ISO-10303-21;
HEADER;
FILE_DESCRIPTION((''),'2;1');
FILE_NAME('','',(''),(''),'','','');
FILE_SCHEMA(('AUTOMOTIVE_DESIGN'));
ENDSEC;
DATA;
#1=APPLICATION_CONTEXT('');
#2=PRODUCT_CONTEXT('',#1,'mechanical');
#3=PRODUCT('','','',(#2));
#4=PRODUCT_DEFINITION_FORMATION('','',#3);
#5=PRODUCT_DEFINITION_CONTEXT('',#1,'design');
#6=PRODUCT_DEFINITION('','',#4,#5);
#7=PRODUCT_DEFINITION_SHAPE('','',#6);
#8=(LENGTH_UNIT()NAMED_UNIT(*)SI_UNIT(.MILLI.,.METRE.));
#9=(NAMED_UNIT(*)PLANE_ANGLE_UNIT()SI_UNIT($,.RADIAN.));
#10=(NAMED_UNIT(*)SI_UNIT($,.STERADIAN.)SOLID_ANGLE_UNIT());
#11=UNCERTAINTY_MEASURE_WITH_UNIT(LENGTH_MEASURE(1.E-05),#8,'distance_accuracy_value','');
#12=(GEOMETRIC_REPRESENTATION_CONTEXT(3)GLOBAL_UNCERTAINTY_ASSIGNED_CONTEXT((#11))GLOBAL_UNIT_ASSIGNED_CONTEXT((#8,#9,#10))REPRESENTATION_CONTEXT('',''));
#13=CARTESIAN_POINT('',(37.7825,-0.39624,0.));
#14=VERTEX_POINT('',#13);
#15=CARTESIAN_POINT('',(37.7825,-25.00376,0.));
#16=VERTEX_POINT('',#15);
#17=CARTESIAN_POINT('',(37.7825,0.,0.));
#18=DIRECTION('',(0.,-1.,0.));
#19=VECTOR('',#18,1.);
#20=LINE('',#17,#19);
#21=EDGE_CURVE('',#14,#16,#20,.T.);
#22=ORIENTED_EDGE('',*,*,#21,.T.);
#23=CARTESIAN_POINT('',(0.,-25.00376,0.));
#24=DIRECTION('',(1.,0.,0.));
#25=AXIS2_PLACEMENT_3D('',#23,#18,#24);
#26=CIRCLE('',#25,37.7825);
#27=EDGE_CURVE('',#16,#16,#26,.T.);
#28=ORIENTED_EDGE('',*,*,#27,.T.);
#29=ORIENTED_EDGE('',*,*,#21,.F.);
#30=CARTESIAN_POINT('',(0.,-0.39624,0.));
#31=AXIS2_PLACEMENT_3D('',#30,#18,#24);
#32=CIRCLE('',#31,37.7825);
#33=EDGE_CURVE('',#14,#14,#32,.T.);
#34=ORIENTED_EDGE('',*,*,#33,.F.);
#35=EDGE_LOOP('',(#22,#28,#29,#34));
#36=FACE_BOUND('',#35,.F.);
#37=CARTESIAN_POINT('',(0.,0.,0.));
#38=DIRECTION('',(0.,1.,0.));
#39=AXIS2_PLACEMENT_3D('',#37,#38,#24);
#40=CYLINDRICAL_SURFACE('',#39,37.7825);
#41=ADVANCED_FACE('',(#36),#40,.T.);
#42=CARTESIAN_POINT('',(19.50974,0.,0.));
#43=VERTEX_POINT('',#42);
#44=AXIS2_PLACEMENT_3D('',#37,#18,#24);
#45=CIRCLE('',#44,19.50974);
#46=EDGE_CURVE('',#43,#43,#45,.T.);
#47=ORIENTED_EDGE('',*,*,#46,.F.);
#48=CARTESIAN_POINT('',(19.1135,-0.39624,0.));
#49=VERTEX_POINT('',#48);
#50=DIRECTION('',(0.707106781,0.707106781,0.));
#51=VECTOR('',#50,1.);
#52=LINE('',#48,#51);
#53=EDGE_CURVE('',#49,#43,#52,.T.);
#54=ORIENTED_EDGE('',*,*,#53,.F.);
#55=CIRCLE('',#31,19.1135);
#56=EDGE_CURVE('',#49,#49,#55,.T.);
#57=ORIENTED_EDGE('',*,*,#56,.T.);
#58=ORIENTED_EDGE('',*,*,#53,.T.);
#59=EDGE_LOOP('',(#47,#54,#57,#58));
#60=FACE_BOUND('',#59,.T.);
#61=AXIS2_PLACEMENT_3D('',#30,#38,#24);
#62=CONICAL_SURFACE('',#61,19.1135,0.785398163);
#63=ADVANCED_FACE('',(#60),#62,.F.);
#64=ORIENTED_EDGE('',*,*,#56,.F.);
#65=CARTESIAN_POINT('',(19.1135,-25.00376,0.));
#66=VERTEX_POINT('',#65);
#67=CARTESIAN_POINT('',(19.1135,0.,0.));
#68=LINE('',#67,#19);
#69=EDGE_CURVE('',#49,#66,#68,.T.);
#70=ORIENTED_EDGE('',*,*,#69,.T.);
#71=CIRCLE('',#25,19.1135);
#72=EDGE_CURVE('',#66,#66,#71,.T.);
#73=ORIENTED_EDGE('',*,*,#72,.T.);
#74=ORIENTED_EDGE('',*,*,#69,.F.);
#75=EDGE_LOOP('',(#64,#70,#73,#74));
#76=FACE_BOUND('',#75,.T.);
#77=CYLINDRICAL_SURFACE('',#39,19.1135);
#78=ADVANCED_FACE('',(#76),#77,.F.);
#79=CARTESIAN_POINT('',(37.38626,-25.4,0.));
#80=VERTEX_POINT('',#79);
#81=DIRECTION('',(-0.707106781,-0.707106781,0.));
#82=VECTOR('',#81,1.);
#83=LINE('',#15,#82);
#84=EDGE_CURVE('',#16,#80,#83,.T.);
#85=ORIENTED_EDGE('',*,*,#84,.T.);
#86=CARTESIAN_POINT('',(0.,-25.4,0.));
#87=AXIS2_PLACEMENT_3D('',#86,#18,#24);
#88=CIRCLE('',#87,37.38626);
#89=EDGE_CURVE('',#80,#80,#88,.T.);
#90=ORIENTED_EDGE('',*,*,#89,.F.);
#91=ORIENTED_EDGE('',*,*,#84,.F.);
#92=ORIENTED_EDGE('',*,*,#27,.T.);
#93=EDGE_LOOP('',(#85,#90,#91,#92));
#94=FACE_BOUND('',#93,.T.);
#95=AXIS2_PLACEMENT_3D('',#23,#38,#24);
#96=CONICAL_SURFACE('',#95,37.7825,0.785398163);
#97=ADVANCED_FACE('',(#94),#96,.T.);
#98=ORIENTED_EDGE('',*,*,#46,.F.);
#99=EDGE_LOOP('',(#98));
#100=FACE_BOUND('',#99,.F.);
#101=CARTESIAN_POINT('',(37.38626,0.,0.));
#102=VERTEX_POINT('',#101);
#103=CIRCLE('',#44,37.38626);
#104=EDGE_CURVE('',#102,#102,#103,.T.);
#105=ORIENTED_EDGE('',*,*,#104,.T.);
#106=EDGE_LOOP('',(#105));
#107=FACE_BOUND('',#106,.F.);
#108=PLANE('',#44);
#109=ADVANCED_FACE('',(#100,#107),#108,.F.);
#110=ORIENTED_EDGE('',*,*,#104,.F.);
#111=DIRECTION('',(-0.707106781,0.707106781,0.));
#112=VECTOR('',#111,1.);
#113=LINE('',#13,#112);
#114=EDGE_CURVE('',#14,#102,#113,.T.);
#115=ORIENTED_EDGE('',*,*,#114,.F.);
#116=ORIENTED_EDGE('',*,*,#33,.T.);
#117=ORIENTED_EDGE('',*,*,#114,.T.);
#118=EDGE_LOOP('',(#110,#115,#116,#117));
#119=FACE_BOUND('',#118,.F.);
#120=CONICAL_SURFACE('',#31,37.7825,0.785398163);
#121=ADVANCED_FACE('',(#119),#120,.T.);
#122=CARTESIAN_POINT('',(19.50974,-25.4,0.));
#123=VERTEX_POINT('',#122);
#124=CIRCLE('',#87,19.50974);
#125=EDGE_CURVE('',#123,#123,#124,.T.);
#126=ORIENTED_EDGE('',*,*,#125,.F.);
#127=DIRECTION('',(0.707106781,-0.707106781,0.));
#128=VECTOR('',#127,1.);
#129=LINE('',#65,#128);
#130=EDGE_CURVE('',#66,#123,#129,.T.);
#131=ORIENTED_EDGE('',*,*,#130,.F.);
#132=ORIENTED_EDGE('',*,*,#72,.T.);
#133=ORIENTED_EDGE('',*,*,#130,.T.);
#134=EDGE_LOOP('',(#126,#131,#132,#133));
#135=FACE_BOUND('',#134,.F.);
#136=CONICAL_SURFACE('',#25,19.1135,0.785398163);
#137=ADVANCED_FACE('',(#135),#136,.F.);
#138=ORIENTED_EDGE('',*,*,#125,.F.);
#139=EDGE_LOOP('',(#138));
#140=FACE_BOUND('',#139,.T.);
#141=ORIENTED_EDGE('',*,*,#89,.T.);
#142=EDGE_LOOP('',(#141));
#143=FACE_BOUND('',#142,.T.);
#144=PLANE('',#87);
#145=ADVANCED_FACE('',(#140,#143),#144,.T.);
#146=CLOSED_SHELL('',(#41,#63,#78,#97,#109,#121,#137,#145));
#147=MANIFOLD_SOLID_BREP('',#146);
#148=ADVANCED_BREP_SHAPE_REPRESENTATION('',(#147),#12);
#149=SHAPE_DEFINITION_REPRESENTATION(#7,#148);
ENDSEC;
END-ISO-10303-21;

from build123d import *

# Parameters (mm, degrees)
F0_R     = 37.7825
F0_R_2   = 19.1135
F1_DEPTH = 25.4
F2_SIZE  = 0.39624


with BuildPart() as f1:
    # F0 (on Front) → F1 (new body)
    with BuildSketch(Plane.XZ):
        Circle(F0_R)
        Circle(F0_R_2, mode=Mode.SUBTRACT)
    extrude(amount=F1_DEPTH)

    # F2
    f2_edges = [f1.edges().sort_by_distance(p)[0] for p in [
        (-37.7825, -25.4, 0),
        (-19.1135, -25.4, 0),
        (-19.1135, 0, 0),
        (37.7825, -12.7, 0),
        (-37.7825, 0, 0),
    ]]
    chamfer(f2_edges, length=F2_SIZE)


solid = f1.part
